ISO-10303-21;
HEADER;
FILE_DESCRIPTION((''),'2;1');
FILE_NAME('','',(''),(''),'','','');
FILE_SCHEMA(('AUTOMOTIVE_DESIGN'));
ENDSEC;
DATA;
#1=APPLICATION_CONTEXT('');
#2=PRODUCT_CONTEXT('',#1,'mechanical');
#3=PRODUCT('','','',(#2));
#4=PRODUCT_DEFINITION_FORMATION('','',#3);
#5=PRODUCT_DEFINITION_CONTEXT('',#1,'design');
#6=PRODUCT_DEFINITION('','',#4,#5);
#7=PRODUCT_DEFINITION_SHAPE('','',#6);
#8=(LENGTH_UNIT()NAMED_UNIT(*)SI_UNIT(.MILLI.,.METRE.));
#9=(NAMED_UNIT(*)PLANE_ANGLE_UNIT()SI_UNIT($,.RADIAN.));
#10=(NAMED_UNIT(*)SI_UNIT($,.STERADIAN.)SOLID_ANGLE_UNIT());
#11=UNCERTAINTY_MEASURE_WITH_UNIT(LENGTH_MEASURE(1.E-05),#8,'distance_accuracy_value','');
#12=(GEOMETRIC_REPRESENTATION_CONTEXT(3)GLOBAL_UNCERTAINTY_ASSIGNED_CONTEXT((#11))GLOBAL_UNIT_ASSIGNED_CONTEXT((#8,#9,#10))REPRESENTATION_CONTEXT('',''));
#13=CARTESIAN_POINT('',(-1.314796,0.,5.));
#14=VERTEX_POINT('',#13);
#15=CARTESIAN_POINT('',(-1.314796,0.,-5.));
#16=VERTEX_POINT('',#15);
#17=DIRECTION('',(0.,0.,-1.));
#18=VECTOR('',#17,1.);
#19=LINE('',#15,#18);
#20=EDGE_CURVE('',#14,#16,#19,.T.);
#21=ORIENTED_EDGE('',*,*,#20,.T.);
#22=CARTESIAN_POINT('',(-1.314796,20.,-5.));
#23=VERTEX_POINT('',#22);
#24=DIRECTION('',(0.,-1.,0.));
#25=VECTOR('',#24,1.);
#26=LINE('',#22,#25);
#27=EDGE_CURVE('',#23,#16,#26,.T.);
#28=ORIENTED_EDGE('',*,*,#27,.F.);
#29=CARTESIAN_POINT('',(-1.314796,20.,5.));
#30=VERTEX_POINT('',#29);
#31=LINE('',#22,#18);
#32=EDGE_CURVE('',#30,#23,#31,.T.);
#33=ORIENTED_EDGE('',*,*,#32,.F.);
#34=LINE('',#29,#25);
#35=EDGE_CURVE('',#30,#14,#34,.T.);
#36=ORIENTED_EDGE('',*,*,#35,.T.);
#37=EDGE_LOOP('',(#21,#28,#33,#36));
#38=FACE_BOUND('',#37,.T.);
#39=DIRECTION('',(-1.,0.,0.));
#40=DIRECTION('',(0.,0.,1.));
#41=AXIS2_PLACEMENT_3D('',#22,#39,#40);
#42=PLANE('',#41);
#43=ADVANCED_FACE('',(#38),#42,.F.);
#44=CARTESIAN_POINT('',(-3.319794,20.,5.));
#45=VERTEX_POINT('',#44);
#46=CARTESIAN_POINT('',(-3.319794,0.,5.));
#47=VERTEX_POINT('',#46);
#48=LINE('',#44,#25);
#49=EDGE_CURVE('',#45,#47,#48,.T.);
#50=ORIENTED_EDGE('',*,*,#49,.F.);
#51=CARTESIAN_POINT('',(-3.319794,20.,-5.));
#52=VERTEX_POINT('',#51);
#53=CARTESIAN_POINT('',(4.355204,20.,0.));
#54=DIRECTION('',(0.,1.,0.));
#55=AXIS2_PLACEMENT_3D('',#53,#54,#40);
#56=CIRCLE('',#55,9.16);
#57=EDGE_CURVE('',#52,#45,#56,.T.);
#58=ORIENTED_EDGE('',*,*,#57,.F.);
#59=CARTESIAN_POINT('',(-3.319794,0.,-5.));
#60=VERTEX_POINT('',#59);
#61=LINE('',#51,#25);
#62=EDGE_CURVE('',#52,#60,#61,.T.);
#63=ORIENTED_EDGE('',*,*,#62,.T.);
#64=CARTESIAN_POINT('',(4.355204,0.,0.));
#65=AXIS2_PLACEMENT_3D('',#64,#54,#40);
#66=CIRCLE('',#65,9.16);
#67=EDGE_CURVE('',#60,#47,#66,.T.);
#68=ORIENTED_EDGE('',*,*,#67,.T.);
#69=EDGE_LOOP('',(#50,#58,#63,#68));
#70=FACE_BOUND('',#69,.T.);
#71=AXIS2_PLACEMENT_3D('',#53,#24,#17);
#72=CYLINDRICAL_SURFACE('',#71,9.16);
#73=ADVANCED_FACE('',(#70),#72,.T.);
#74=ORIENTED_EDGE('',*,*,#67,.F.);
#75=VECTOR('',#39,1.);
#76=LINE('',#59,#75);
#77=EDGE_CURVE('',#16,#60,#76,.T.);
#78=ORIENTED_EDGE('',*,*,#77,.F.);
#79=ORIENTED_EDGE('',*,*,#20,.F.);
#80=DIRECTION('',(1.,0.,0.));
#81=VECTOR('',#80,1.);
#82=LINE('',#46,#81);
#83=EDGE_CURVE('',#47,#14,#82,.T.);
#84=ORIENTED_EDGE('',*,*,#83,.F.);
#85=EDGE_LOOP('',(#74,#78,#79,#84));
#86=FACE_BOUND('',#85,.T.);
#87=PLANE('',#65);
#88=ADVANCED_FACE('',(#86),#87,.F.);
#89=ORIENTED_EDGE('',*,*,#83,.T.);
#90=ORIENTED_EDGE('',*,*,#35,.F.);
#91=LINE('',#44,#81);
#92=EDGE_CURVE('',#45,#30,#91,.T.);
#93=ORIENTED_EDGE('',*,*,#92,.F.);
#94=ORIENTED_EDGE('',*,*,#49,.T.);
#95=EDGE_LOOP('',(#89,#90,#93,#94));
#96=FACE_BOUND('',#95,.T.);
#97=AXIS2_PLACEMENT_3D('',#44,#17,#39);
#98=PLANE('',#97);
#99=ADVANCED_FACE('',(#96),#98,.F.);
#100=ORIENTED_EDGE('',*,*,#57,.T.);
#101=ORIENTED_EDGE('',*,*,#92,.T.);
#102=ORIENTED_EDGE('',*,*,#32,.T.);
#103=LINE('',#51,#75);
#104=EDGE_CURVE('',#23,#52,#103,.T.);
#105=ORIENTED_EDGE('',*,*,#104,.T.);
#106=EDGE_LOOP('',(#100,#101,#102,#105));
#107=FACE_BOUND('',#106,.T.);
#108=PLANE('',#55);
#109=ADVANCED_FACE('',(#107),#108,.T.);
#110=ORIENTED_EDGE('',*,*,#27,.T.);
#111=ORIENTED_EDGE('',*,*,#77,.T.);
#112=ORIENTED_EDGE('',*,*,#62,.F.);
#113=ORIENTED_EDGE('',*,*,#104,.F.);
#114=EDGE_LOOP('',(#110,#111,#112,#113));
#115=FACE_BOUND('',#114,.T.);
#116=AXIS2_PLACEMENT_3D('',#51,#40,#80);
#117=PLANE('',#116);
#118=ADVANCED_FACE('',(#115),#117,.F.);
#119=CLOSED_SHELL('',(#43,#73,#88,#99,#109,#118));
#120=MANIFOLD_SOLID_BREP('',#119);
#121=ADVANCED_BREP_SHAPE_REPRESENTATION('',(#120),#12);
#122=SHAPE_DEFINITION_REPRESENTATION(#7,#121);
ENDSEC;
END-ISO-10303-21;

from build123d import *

# Parameters (mm, degrees)
EXTRUDE_1_DEPTH = 20


with BuildPart() as part:
    # 草图1 → 凸台-拉伸1 (new body)
    with BuildSketch(Plane(origin=(0, 0, 0), x_dir=(1, 0, 0), z_dir=(0, 1, 0))):
        with BuildLine():
            Line((-3.319794036, 5), (-1.314795665, 5))
            Line((-1.314795665, 5), (-1.314795665, -5))
            Line((-1.314795665, -5), (-3.319794036, -5))
            ThreePointArc((-3.319794036, -5), (-4.804795665, 0), (-3.319794036, 5))
        make_face()
    extrude(amount=EXTRUDE_1_DEPTH)


solid = part.part
